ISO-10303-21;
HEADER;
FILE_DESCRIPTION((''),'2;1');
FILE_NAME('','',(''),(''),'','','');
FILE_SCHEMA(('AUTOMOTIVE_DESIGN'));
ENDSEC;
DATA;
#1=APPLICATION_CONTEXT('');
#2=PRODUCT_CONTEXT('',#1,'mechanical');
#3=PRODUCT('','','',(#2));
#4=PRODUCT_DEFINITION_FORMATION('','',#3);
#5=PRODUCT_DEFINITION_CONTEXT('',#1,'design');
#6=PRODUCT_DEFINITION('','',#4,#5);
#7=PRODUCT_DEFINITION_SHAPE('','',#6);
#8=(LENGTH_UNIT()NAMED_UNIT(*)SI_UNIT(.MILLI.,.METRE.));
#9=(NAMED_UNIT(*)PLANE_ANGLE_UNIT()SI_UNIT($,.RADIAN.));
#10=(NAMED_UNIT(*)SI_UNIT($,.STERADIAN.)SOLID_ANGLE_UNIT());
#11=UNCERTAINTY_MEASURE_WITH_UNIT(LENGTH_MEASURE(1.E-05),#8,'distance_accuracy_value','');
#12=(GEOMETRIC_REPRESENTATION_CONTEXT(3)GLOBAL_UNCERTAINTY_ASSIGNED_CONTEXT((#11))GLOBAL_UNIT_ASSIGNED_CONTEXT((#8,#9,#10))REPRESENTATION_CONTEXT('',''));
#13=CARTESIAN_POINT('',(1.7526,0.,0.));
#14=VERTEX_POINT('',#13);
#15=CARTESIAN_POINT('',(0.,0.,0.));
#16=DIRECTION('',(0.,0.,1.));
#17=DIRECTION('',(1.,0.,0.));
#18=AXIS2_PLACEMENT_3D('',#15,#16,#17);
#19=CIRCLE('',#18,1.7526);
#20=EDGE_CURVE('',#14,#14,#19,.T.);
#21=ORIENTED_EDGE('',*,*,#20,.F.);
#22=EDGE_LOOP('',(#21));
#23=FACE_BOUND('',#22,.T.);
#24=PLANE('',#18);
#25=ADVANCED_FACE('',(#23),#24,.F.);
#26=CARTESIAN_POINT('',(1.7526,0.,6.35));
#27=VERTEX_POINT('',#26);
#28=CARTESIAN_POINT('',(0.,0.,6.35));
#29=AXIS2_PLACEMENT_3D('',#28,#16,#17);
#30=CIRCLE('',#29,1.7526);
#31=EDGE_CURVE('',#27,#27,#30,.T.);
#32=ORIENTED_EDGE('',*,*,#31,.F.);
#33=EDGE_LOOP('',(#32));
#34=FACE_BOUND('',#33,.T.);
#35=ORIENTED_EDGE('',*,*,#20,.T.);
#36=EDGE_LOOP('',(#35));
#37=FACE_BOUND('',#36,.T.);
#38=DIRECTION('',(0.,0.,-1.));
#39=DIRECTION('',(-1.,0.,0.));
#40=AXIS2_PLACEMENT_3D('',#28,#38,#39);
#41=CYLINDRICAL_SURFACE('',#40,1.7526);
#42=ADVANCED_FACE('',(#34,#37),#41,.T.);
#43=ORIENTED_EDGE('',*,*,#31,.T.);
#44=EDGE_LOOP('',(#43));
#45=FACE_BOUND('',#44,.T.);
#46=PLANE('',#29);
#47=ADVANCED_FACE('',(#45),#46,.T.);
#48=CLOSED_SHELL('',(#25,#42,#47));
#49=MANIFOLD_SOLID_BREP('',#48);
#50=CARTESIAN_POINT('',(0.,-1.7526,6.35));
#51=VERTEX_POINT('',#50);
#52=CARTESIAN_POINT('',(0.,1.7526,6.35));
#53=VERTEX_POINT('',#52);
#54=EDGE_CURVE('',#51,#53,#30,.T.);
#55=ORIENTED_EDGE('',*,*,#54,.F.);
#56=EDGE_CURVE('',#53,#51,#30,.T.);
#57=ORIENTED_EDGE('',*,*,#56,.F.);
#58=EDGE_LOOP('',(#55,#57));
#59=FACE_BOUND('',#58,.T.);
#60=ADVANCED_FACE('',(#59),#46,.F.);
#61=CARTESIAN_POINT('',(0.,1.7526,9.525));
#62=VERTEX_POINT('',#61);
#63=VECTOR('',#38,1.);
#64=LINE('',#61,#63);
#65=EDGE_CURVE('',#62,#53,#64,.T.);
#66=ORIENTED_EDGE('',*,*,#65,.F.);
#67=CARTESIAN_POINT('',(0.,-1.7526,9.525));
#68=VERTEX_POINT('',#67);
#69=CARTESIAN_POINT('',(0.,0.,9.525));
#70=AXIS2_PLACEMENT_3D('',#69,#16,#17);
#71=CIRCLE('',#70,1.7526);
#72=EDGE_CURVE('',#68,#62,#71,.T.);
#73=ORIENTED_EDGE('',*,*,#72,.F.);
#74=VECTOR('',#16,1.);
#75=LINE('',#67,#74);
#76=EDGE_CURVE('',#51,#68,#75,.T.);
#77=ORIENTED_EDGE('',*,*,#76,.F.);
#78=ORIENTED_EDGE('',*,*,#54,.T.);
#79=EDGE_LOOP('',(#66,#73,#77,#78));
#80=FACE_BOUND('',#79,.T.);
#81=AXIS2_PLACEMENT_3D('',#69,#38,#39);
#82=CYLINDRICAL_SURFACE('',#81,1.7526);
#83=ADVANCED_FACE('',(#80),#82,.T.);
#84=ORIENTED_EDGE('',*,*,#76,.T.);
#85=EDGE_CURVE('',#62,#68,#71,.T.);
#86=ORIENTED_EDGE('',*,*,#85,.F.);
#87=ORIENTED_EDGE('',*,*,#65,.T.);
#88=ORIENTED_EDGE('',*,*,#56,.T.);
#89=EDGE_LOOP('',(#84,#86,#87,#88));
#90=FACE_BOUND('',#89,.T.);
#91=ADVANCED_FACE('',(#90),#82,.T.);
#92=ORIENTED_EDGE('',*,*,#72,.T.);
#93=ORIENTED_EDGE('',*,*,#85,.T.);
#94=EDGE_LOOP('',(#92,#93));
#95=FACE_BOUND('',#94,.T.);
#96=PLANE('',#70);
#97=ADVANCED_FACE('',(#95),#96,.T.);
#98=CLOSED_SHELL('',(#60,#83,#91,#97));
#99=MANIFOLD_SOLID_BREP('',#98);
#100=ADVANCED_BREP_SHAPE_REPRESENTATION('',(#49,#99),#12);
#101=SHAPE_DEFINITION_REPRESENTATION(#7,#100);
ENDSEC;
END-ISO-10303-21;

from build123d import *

# Parameters (mm, degrees)
SKETCH1_R           = 1.7526
BOSS_EXTRUDE1_DEPTH = 6.35
SKETCH2_R           = 1.7526
BOSS_EXTRUDE2_DEPTH = 3.175


with BuildPart() as part:
    # Sketch1 → Boss-Extrude1 (new body)
    with BuildSketch(Plane.XY):
        Circle(SKETCH1_R)
    extrude(amount=BOSS_EXTRUDE1_DEPTH)


with BuildPart() as body_2:
    # Sketch2 → Boss-Extrude2 (new body)
    with BuildSketch(Plane.XY.offset(6.35)):
        Circle(SKETCH2_R)
    extrude(amount=BOSS_EXTRUDE2_DEPTH)


solid = Compound([part.part, body_2.part])
